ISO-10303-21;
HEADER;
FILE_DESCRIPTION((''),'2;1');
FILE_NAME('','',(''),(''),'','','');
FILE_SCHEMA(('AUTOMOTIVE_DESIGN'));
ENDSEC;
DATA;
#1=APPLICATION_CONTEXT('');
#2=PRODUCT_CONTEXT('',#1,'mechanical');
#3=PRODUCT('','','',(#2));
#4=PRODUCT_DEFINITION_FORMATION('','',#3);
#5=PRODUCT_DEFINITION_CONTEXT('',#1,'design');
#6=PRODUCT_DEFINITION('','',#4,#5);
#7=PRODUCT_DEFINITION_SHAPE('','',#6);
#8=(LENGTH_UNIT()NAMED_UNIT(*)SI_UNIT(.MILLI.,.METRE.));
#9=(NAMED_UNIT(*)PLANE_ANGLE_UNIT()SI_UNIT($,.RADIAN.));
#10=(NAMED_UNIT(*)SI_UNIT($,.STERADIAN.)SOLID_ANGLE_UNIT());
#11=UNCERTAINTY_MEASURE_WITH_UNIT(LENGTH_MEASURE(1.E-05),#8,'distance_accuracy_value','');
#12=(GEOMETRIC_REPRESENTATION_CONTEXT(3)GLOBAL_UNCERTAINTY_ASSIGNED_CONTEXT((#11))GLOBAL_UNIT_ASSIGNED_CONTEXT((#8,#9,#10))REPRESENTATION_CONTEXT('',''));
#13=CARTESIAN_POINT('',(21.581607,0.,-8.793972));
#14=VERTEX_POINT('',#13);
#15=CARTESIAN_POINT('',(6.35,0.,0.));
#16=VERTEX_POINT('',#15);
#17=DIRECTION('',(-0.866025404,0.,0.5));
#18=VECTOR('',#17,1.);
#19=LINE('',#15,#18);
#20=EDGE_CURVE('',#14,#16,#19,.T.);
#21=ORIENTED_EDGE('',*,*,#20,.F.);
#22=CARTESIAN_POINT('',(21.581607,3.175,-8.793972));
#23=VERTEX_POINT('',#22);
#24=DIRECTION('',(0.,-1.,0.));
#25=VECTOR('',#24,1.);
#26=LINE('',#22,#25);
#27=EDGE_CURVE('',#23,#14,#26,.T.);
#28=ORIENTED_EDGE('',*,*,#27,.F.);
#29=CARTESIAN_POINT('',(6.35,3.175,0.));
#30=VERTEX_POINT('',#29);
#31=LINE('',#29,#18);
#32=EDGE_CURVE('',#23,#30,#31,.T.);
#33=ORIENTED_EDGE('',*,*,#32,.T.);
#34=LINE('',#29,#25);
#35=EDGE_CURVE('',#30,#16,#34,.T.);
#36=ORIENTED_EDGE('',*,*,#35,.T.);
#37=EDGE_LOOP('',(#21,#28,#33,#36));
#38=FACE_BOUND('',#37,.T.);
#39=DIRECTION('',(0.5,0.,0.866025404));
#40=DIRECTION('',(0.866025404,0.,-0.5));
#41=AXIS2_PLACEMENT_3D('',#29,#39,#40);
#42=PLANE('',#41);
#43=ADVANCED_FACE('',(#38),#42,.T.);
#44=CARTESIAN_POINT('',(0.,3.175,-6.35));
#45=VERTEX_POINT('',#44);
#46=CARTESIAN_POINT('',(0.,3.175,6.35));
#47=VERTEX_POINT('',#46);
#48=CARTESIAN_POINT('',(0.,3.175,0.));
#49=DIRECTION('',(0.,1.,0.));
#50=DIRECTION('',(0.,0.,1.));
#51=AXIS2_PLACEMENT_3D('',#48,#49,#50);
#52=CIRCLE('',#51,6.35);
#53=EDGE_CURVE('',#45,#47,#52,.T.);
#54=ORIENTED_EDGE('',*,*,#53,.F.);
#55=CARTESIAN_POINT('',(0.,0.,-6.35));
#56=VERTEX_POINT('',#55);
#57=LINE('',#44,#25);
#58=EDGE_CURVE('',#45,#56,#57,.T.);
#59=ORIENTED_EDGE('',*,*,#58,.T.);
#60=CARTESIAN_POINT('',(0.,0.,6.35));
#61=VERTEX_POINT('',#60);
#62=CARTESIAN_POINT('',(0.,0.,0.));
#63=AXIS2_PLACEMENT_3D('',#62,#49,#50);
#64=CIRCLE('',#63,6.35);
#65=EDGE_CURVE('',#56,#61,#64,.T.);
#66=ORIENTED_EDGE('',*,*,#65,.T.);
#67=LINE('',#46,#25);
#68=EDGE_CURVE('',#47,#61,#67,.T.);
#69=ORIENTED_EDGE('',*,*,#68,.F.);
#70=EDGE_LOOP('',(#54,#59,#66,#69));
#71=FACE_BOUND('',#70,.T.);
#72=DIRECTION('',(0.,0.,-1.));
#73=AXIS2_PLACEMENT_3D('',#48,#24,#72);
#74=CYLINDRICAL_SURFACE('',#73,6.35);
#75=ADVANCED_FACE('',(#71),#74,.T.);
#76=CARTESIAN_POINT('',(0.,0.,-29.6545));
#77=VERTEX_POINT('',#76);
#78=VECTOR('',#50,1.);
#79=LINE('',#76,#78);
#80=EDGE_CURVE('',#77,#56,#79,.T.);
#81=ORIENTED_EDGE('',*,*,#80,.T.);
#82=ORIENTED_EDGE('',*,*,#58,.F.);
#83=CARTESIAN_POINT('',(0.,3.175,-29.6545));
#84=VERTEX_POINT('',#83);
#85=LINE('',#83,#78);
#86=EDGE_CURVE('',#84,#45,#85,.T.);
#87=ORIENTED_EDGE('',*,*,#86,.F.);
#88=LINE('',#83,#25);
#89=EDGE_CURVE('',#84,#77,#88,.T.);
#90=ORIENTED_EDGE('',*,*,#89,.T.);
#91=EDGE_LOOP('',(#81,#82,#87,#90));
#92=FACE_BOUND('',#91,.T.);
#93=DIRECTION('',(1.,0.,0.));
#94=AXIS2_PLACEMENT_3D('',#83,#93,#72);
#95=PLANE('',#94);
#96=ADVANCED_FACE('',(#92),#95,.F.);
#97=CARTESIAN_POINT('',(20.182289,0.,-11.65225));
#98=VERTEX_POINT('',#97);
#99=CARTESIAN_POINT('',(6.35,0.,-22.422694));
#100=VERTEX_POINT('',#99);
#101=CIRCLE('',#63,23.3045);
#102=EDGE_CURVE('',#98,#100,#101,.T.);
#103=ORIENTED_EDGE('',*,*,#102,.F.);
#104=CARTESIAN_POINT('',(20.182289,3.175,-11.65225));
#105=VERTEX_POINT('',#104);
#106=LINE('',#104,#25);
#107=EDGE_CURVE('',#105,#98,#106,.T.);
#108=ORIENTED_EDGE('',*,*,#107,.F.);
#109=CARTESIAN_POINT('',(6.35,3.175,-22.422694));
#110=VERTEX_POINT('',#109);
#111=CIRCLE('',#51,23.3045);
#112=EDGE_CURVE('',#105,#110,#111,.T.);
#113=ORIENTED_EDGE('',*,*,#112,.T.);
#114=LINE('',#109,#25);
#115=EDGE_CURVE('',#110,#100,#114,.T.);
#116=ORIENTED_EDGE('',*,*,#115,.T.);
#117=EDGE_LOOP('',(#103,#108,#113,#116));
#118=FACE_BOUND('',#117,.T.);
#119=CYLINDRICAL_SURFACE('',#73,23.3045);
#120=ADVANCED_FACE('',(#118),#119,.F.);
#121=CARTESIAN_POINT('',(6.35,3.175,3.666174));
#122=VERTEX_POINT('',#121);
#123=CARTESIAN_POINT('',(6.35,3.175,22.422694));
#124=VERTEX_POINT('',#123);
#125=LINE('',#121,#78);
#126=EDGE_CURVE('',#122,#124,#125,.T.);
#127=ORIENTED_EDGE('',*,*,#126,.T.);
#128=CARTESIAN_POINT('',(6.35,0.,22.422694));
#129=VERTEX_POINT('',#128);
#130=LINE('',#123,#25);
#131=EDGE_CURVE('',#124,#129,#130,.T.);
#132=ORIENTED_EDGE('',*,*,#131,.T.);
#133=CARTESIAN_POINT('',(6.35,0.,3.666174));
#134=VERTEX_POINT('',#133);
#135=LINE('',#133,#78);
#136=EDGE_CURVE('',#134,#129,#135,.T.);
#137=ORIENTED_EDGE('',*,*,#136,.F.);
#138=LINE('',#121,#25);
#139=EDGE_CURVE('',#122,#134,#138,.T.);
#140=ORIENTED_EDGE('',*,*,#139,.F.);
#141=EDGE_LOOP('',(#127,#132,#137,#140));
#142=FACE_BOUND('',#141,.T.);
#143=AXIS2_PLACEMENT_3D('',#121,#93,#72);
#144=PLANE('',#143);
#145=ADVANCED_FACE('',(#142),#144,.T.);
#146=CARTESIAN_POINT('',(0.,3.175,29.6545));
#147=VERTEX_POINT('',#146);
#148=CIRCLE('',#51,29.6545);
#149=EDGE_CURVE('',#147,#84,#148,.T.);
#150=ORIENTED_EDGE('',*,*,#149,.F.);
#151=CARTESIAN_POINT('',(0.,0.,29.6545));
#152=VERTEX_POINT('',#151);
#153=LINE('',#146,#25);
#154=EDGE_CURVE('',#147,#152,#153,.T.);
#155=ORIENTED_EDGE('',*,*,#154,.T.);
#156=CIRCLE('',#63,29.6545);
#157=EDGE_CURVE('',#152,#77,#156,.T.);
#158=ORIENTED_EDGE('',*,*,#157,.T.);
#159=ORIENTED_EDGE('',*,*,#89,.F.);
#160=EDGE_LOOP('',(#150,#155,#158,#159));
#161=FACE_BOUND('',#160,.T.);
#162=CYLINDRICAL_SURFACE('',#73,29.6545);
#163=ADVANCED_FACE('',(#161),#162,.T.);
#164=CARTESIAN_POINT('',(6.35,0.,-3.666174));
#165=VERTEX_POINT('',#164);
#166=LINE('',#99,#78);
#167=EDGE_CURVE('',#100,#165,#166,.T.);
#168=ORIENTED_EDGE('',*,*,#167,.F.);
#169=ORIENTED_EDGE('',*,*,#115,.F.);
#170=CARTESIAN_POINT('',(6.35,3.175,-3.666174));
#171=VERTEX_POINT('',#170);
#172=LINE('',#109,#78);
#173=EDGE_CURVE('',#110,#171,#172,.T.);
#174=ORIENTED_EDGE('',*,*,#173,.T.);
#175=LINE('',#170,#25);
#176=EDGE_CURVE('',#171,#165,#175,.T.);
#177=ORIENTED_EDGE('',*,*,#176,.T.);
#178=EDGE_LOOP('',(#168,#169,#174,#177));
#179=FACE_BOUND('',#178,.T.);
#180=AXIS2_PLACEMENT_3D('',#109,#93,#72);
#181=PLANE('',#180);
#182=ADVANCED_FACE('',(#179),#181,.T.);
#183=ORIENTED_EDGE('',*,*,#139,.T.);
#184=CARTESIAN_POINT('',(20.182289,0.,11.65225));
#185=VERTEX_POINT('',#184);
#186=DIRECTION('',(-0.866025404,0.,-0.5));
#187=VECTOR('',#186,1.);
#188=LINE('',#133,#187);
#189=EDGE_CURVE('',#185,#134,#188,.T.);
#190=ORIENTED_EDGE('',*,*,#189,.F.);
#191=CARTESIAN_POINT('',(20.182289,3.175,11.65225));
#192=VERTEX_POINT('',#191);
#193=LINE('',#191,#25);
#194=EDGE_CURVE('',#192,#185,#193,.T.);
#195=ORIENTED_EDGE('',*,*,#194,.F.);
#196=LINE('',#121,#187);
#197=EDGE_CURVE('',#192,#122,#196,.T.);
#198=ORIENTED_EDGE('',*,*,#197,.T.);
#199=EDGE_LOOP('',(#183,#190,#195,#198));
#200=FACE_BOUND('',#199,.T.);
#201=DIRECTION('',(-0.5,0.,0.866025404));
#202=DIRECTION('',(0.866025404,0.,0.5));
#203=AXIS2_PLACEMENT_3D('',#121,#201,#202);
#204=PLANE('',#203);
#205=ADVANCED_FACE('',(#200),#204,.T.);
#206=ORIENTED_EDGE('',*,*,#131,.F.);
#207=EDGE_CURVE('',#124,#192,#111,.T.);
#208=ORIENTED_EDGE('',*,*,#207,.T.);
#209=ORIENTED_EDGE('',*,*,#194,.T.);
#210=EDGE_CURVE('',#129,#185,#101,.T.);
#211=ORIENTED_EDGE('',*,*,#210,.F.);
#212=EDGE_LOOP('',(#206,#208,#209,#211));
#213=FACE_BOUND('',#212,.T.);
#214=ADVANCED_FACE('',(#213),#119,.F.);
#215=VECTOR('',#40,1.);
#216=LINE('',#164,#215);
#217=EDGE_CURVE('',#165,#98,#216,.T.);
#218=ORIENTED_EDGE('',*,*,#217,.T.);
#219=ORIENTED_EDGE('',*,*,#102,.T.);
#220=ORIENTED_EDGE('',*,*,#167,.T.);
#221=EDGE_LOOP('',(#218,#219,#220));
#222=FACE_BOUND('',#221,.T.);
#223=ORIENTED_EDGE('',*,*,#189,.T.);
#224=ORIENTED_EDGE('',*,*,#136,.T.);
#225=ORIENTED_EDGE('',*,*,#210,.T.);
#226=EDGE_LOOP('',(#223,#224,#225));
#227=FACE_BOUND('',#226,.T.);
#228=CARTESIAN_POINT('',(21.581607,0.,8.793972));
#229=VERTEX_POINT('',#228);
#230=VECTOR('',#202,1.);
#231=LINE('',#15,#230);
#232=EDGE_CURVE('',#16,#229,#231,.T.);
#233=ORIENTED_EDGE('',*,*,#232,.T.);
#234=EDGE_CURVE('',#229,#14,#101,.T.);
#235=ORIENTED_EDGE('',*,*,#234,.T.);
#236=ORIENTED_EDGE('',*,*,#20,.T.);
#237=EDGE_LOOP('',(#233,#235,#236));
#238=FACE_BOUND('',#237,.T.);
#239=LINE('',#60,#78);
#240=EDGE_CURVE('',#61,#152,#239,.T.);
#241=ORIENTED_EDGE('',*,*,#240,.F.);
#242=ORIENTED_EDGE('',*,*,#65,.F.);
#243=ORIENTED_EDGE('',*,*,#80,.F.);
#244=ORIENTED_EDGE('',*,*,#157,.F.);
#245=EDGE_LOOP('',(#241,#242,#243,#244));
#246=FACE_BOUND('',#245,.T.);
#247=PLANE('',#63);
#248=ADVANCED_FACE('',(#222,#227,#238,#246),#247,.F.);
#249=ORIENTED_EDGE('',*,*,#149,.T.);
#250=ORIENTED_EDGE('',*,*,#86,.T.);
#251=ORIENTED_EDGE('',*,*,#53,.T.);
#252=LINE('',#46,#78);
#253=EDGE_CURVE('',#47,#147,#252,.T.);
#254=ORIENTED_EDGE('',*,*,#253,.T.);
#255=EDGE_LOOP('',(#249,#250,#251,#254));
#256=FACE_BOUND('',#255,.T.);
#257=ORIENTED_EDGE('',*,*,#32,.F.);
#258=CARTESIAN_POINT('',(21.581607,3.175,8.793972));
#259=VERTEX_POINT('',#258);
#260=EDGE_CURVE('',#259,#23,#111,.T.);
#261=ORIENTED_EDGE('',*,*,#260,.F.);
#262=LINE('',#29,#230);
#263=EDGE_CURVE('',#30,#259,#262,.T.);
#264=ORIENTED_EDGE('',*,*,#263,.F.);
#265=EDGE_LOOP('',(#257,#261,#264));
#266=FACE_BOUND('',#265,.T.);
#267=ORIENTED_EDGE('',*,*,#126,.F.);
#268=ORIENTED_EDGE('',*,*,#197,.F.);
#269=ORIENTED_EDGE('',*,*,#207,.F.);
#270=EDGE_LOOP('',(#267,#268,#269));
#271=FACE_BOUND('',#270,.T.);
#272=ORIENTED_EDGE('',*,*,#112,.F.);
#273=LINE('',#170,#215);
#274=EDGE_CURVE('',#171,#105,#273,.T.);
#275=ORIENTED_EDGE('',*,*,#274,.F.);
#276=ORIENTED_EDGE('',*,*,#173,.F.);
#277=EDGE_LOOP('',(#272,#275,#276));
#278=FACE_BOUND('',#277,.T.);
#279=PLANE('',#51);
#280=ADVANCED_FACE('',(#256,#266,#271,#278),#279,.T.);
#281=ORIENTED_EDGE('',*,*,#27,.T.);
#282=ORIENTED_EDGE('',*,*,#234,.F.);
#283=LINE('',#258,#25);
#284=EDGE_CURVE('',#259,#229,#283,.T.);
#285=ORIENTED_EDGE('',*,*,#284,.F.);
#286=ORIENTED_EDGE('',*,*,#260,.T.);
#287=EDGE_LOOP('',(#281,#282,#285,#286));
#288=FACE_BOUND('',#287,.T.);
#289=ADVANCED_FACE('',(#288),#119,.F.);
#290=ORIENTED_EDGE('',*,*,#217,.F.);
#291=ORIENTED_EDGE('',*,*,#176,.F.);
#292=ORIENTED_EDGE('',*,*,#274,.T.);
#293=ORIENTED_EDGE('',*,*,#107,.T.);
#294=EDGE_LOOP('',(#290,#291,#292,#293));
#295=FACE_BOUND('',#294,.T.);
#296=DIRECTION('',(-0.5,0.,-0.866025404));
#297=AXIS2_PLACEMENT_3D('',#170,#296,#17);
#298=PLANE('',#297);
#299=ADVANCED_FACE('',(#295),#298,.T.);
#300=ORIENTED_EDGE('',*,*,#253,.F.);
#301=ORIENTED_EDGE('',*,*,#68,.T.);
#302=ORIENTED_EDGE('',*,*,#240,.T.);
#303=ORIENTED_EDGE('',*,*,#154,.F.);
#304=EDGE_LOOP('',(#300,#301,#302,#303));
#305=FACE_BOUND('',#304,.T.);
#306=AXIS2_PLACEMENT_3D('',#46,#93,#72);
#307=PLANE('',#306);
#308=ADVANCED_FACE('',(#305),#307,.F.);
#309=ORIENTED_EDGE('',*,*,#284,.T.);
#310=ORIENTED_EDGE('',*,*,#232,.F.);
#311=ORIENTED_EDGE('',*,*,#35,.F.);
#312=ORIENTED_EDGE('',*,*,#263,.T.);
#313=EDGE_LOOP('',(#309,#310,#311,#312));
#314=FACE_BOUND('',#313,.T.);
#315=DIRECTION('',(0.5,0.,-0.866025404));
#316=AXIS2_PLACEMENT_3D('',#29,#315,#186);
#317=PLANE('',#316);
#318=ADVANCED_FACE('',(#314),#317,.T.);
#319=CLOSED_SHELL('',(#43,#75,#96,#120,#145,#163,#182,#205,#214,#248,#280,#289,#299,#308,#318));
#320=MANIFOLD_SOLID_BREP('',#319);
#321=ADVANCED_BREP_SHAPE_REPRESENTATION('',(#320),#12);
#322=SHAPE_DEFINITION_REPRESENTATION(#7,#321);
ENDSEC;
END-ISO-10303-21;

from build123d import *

# Parameters (mm, degrees)
BOSS_EXTRUDE1_DEPTH = 3.175


with BuildPart() as part:
    # Sketch1 → Boss-Extrude1 (new body)
    with BuildSketch(Plane(origin=(0, 0, 0), x_dir=(1, 0, 0), z_dir=(0, 1, 0))):
        with BuildLine():
            Line((0, 29.6545), (0, 6.35))
            ThreePointArc((0, 6.35), (-6.35, 0), (0, -6.35))
            Line((0, -6.35), (0, -29.6545))
            ThreePointArc((0, -29.6545), (29.6545, 0), (0, 29.6545))
        make_face()
        with BuildLine():
            Line((6.35, 22.422694313), (6.35, 3.666174209))
            Line((6.35, 3.666174209), (20.182289022, 11.65225))
            ThreePointArc((20.182289022, 11.65225), (14.317514025, 18.387727222), (6.35, 22.422694313))
        make_face(mode=Mode.SUBTRACT)
        with BuildLine():
            Line((6.35, 0), (21.581607168, -8.793972499))
            ThreePointArc((21.581607168, -8.793972499), (23.3045, 0), (21.581607168, 8.793972499))
            Line((21.581607168, 8.793972499), (6.35, 0))
        make_face(mode=Mode.SUBTRACT)
        with BuildLine():
            Line((6.35, -3.666174209), (20.182289022, -11.65225))
            ThreePointArc((20.182289022, -11.65225), (14.317514025, -18.387727222), (6.35, -22.422694313))
            Line((6.35, -22.422694313), (6.35, -3.666174209))
        make_face(mode=Mode.SUBTRACT)
    extrude(amount=BOSS_EXTRUDE1_DEPTH)


solid = part.part
